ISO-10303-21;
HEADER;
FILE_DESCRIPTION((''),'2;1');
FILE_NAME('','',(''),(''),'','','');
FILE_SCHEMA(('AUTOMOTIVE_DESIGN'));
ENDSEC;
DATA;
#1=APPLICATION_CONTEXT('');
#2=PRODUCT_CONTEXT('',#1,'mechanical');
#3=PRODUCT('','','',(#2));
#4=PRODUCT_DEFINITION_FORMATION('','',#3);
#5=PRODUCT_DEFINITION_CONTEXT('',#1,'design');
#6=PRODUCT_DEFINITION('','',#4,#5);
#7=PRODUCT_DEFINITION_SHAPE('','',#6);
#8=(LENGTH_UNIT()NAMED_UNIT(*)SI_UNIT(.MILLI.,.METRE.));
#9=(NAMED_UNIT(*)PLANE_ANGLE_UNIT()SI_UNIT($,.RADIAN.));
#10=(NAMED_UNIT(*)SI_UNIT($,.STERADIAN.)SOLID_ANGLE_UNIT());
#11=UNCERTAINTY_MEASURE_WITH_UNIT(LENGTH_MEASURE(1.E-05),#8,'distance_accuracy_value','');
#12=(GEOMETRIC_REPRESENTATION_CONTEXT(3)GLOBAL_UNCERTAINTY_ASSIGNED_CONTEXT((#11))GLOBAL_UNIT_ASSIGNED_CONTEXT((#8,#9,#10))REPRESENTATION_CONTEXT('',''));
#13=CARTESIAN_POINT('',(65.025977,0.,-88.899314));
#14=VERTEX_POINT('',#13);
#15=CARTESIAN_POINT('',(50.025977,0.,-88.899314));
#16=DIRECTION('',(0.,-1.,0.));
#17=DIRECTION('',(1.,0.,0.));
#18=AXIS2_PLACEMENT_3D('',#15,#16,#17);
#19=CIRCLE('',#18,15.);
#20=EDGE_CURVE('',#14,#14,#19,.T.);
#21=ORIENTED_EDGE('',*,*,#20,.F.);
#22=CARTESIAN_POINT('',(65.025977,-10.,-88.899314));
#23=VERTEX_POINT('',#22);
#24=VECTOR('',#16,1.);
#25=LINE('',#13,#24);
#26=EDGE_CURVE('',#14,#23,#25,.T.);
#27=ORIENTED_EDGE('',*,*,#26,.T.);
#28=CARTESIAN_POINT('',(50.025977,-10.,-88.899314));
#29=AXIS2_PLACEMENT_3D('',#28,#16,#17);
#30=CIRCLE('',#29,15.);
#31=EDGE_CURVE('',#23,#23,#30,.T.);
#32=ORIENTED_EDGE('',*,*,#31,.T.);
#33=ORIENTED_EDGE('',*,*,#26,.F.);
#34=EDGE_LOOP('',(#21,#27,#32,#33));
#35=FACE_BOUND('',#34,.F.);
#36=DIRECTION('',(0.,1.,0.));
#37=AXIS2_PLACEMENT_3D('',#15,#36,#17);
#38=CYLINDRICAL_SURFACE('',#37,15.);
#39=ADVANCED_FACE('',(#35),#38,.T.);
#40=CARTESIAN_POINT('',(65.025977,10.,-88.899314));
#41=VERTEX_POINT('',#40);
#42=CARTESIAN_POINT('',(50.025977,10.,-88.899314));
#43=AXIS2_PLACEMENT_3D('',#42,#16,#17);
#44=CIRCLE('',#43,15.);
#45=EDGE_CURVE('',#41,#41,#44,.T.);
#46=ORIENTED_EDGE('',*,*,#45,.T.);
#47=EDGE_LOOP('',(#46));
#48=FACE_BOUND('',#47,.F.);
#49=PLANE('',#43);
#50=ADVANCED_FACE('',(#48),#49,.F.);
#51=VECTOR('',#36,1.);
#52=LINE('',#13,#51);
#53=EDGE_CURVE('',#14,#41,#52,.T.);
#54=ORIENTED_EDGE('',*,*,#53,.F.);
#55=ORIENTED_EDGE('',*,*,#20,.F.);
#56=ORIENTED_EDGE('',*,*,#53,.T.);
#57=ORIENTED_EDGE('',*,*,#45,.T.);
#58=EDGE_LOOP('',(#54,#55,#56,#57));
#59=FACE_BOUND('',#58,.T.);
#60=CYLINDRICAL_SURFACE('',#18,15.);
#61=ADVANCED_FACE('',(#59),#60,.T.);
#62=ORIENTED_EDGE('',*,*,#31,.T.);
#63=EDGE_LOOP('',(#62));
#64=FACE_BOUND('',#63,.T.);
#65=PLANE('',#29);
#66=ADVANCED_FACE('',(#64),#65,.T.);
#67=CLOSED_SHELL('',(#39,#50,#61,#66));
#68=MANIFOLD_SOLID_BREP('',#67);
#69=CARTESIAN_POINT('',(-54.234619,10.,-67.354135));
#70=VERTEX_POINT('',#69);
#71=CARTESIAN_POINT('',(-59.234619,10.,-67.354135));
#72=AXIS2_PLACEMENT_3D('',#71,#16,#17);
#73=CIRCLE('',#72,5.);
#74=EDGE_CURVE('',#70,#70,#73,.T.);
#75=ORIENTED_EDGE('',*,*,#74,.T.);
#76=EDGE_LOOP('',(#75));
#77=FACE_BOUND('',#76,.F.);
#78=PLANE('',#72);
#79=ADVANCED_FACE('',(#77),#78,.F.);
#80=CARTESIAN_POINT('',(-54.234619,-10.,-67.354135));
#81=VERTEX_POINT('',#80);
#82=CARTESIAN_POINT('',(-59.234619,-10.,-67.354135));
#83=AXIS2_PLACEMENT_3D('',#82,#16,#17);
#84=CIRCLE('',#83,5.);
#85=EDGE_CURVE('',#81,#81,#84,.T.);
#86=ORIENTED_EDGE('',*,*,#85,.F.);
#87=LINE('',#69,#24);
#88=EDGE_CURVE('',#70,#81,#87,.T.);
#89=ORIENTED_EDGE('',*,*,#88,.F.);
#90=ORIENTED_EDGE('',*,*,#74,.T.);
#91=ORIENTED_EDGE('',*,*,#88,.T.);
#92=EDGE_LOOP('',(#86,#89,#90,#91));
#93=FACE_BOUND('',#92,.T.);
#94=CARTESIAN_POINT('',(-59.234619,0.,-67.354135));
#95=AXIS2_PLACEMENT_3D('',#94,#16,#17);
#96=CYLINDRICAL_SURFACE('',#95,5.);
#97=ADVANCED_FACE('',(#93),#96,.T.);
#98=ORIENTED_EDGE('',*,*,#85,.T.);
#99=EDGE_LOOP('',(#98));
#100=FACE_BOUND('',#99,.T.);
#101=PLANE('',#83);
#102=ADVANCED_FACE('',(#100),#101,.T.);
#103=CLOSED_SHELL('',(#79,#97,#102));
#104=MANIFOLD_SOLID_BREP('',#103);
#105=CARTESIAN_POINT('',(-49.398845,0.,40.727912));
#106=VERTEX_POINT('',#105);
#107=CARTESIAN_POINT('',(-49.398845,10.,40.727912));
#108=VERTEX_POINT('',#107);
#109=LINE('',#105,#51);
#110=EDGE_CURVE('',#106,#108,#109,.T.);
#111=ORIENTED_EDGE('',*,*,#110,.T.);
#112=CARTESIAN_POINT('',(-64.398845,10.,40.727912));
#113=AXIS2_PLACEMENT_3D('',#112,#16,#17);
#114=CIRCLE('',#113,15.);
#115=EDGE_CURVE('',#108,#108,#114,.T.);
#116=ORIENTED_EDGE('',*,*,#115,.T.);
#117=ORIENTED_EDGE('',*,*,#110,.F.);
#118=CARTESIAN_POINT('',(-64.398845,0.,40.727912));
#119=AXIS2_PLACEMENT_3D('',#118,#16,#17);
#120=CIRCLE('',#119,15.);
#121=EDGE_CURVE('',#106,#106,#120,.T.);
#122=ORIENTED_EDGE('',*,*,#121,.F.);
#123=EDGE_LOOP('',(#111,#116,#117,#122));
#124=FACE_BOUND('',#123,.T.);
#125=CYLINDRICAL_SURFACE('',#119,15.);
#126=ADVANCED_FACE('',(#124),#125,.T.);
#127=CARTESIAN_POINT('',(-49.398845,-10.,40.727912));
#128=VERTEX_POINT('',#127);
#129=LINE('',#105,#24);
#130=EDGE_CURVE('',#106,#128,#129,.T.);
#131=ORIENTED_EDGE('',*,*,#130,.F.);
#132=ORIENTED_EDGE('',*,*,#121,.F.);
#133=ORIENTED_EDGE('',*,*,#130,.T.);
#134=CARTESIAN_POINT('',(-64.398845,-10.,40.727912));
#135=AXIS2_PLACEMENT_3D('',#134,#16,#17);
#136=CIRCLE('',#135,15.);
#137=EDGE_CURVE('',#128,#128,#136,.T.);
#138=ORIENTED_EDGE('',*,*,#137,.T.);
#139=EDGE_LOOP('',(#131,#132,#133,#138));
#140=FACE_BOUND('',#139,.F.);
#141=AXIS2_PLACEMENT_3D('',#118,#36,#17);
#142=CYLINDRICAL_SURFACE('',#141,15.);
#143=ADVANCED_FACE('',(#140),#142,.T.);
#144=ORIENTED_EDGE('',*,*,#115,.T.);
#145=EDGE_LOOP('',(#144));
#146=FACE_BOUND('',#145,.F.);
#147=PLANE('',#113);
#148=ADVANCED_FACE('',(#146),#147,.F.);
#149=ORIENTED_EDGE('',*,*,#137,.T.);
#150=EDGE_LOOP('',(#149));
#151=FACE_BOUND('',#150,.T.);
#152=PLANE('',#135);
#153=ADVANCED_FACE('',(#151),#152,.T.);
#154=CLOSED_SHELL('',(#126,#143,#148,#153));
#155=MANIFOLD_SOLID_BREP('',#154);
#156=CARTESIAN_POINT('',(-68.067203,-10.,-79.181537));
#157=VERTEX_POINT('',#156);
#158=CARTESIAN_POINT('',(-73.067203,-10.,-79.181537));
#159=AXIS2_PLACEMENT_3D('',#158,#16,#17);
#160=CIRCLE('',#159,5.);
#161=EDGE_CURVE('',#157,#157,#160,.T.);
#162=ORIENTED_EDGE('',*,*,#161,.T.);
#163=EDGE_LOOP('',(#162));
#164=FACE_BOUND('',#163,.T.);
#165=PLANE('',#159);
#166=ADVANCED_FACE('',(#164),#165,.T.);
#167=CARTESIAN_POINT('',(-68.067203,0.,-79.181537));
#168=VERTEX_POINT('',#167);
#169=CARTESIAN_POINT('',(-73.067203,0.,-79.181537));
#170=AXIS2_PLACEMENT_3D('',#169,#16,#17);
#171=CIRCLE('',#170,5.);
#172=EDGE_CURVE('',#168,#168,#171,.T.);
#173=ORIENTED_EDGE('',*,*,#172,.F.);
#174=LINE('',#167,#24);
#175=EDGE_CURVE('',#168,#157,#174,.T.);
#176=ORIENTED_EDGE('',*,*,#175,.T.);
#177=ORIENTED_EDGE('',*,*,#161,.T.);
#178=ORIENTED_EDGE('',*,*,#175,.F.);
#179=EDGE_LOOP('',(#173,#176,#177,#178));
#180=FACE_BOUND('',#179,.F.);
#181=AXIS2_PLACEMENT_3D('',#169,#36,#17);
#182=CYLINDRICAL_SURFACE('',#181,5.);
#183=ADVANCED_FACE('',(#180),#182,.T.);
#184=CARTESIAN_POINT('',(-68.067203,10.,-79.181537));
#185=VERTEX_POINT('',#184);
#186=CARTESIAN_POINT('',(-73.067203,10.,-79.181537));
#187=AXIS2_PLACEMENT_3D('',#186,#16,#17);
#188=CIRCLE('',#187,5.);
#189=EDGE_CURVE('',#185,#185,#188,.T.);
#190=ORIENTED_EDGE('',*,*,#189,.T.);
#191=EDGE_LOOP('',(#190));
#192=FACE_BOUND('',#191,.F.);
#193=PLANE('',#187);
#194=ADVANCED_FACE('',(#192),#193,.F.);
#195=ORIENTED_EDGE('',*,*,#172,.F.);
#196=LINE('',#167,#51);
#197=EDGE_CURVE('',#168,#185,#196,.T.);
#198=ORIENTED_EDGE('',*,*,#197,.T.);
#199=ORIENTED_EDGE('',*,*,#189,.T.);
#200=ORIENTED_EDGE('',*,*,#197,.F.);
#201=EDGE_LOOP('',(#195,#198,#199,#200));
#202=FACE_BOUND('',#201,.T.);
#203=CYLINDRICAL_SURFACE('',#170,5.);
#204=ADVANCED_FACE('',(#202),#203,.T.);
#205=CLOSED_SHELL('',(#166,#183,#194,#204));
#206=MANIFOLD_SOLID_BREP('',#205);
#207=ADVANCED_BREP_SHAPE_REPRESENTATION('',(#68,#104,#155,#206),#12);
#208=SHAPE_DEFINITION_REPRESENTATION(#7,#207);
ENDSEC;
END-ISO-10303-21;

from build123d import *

# Parameters (mm, degrees)
F0_R     = 15
F0_R_2   = 5
F1_DEPTH = 10


with BuildPart() as f1:
    # F0 (on Front) → F1 (new body, symmetric)
    with BuildSketch(Plane.XZ):
        with Locations((-64.398845, 40.727912)):
            Circle(F0_R)
        with Locations((50.025977, -88.899314)):
            Circle(F0_R)
        with Locations((-73.067203, -79.181537)):
            Circle(F0_R_2)
        with Locations((-59.234619, -67.354135)):
            Circle(F0_R_2)
    extrude(amount=F1_DEPTH, both=True)


solid = f1.part
